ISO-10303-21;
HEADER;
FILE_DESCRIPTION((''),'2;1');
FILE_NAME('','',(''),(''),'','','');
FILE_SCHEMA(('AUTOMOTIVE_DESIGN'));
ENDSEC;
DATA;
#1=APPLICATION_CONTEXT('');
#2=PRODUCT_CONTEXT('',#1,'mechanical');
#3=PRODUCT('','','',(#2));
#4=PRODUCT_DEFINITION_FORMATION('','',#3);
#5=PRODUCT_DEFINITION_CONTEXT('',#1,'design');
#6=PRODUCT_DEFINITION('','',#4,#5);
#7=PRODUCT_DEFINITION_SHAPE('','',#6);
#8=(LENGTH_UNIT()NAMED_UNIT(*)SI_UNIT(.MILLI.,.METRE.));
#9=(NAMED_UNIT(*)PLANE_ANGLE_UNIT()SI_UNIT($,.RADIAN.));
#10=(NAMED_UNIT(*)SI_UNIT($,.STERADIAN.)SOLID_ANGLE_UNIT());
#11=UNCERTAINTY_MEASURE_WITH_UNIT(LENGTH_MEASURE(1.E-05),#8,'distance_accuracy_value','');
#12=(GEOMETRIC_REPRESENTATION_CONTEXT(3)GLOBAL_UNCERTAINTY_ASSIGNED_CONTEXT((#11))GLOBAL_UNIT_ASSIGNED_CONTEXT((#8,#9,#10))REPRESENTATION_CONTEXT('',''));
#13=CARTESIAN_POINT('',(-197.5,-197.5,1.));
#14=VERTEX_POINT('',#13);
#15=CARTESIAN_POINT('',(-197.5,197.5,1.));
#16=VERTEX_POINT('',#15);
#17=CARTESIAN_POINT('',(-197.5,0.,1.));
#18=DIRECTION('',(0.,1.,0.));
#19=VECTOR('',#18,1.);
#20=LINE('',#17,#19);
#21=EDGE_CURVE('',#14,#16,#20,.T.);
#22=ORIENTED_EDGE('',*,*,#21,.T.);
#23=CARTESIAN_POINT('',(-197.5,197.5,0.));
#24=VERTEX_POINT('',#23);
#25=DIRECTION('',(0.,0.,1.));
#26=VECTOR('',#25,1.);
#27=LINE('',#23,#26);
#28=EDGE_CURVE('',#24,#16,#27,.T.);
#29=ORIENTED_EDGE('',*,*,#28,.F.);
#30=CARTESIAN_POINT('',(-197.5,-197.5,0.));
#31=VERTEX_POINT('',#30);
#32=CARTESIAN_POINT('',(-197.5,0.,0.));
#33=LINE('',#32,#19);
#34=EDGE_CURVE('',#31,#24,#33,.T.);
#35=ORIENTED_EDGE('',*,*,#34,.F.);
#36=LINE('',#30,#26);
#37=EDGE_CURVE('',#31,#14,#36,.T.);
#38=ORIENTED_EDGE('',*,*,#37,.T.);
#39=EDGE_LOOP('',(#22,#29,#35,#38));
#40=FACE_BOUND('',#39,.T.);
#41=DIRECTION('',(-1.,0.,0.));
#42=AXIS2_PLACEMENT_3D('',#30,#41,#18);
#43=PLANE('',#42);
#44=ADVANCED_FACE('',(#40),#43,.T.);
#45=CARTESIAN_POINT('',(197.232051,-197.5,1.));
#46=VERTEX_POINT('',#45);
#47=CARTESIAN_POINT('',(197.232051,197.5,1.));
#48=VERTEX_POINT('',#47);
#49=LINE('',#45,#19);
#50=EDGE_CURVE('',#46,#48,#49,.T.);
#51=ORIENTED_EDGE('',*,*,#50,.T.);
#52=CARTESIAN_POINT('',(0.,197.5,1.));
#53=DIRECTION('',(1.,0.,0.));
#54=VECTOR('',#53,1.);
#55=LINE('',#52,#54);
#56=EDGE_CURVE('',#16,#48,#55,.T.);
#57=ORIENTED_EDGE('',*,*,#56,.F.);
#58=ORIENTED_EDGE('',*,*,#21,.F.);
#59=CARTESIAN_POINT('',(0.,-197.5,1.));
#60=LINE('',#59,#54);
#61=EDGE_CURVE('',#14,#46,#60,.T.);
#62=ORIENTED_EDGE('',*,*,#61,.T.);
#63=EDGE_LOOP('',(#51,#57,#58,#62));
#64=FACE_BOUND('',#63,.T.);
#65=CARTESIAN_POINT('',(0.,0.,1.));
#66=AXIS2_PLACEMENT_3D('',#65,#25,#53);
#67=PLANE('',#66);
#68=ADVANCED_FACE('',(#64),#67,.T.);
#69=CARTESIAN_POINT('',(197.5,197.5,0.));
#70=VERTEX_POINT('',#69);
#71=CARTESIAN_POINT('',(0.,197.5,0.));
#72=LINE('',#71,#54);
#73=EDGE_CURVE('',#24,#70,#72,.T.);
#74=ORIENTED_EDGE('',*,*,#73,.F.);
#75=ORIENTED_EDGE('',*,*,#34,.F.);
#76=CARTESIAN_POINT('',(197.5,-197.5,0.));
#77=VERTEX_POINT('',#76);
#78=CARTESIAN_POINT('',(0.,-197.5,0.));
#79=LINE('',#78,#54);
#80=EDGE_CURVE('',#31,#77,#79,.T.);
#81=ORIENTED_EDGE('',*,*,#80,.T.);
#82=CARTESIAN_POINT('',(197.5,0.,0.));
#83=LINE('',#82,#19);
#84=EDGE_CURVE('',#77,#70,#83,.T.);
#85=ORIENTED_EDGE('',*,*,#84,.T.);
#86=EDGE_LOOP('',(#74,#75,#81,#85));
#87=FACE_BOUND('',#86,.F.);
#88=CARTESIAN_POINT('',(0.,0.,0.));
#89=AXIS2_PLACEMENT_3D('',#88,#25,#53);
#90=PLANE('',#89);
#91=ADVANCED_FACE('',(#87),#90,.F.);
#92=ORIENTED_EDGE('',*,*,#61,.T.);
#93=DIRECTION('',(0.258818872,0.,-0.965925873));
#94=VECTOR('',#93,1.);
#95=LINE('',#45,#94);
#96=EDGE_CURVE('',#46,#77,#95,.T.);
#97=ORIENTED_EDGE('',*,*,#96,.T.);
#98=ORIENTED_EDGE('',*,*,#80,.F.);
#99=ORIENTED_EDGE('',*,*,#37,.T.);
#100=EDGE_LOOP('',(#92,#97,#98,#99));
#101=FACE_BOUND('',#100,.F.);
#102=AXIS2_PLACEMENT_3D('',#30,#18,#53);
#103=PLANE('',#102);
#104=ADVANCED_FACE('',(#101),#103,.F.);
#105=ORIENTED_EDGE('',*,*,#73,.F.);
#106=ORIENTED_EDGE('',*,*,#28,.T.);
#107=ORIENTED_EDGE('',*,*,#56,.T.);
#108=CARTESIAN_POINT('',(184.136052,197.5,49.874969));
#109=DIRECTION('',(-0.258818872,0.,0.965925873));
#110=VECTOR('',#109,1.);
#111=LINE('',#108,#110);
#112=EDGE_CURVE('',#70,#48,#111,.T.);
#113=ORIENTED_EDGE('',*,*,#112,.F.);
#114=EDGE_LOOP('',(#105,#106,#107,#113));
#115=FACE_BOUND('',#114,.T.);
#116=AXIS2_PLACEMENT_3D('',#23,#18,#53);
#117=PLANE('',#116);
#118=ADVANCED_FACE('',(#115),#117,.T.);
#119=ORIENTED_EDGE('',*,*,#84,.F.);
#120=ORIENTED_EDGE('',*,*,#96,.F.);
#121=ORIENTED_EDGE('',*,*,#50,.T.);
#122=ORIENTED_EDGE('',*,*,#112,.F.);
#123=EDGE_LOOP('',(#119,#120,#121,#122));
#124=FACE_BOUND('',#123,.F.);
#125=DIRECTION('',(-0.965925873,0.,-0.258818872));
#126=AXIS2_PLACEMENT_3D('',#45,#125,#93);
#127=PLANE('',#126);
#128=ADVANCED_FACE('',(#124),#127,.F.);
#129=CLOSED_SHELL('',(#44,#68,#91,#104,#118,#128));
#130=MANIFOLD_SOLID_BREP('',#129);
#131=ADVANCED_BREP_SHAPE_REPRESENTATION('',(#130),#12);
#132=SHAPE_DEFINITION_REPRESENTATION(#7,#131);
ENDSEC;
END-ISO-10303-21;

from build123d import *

# Parameters (mm, degrees)
F0_W     = 395
F0_H     = 395
F1_DEPTH = 1
F3_DEPTH = 10000


with BuildPart() as f1:
    # F0 (on Top) → F1 (new body)
    with BuildSketch(Plane.XY):
        Rectangle(F0_W, F0_H)
    extrude(amount=F1_DEPTH)

    # F2 (on face) → F3 (cut)
    with BuildSketch(Plane.XZ.offset(197.5)):
        Polygon((197.232051, 1), (197.5, 0), (197.5, 1), align=None)
    extrude(amount=-F3_DEPTH, mode=Mode.SUBTRACT)


solid = f1.part
